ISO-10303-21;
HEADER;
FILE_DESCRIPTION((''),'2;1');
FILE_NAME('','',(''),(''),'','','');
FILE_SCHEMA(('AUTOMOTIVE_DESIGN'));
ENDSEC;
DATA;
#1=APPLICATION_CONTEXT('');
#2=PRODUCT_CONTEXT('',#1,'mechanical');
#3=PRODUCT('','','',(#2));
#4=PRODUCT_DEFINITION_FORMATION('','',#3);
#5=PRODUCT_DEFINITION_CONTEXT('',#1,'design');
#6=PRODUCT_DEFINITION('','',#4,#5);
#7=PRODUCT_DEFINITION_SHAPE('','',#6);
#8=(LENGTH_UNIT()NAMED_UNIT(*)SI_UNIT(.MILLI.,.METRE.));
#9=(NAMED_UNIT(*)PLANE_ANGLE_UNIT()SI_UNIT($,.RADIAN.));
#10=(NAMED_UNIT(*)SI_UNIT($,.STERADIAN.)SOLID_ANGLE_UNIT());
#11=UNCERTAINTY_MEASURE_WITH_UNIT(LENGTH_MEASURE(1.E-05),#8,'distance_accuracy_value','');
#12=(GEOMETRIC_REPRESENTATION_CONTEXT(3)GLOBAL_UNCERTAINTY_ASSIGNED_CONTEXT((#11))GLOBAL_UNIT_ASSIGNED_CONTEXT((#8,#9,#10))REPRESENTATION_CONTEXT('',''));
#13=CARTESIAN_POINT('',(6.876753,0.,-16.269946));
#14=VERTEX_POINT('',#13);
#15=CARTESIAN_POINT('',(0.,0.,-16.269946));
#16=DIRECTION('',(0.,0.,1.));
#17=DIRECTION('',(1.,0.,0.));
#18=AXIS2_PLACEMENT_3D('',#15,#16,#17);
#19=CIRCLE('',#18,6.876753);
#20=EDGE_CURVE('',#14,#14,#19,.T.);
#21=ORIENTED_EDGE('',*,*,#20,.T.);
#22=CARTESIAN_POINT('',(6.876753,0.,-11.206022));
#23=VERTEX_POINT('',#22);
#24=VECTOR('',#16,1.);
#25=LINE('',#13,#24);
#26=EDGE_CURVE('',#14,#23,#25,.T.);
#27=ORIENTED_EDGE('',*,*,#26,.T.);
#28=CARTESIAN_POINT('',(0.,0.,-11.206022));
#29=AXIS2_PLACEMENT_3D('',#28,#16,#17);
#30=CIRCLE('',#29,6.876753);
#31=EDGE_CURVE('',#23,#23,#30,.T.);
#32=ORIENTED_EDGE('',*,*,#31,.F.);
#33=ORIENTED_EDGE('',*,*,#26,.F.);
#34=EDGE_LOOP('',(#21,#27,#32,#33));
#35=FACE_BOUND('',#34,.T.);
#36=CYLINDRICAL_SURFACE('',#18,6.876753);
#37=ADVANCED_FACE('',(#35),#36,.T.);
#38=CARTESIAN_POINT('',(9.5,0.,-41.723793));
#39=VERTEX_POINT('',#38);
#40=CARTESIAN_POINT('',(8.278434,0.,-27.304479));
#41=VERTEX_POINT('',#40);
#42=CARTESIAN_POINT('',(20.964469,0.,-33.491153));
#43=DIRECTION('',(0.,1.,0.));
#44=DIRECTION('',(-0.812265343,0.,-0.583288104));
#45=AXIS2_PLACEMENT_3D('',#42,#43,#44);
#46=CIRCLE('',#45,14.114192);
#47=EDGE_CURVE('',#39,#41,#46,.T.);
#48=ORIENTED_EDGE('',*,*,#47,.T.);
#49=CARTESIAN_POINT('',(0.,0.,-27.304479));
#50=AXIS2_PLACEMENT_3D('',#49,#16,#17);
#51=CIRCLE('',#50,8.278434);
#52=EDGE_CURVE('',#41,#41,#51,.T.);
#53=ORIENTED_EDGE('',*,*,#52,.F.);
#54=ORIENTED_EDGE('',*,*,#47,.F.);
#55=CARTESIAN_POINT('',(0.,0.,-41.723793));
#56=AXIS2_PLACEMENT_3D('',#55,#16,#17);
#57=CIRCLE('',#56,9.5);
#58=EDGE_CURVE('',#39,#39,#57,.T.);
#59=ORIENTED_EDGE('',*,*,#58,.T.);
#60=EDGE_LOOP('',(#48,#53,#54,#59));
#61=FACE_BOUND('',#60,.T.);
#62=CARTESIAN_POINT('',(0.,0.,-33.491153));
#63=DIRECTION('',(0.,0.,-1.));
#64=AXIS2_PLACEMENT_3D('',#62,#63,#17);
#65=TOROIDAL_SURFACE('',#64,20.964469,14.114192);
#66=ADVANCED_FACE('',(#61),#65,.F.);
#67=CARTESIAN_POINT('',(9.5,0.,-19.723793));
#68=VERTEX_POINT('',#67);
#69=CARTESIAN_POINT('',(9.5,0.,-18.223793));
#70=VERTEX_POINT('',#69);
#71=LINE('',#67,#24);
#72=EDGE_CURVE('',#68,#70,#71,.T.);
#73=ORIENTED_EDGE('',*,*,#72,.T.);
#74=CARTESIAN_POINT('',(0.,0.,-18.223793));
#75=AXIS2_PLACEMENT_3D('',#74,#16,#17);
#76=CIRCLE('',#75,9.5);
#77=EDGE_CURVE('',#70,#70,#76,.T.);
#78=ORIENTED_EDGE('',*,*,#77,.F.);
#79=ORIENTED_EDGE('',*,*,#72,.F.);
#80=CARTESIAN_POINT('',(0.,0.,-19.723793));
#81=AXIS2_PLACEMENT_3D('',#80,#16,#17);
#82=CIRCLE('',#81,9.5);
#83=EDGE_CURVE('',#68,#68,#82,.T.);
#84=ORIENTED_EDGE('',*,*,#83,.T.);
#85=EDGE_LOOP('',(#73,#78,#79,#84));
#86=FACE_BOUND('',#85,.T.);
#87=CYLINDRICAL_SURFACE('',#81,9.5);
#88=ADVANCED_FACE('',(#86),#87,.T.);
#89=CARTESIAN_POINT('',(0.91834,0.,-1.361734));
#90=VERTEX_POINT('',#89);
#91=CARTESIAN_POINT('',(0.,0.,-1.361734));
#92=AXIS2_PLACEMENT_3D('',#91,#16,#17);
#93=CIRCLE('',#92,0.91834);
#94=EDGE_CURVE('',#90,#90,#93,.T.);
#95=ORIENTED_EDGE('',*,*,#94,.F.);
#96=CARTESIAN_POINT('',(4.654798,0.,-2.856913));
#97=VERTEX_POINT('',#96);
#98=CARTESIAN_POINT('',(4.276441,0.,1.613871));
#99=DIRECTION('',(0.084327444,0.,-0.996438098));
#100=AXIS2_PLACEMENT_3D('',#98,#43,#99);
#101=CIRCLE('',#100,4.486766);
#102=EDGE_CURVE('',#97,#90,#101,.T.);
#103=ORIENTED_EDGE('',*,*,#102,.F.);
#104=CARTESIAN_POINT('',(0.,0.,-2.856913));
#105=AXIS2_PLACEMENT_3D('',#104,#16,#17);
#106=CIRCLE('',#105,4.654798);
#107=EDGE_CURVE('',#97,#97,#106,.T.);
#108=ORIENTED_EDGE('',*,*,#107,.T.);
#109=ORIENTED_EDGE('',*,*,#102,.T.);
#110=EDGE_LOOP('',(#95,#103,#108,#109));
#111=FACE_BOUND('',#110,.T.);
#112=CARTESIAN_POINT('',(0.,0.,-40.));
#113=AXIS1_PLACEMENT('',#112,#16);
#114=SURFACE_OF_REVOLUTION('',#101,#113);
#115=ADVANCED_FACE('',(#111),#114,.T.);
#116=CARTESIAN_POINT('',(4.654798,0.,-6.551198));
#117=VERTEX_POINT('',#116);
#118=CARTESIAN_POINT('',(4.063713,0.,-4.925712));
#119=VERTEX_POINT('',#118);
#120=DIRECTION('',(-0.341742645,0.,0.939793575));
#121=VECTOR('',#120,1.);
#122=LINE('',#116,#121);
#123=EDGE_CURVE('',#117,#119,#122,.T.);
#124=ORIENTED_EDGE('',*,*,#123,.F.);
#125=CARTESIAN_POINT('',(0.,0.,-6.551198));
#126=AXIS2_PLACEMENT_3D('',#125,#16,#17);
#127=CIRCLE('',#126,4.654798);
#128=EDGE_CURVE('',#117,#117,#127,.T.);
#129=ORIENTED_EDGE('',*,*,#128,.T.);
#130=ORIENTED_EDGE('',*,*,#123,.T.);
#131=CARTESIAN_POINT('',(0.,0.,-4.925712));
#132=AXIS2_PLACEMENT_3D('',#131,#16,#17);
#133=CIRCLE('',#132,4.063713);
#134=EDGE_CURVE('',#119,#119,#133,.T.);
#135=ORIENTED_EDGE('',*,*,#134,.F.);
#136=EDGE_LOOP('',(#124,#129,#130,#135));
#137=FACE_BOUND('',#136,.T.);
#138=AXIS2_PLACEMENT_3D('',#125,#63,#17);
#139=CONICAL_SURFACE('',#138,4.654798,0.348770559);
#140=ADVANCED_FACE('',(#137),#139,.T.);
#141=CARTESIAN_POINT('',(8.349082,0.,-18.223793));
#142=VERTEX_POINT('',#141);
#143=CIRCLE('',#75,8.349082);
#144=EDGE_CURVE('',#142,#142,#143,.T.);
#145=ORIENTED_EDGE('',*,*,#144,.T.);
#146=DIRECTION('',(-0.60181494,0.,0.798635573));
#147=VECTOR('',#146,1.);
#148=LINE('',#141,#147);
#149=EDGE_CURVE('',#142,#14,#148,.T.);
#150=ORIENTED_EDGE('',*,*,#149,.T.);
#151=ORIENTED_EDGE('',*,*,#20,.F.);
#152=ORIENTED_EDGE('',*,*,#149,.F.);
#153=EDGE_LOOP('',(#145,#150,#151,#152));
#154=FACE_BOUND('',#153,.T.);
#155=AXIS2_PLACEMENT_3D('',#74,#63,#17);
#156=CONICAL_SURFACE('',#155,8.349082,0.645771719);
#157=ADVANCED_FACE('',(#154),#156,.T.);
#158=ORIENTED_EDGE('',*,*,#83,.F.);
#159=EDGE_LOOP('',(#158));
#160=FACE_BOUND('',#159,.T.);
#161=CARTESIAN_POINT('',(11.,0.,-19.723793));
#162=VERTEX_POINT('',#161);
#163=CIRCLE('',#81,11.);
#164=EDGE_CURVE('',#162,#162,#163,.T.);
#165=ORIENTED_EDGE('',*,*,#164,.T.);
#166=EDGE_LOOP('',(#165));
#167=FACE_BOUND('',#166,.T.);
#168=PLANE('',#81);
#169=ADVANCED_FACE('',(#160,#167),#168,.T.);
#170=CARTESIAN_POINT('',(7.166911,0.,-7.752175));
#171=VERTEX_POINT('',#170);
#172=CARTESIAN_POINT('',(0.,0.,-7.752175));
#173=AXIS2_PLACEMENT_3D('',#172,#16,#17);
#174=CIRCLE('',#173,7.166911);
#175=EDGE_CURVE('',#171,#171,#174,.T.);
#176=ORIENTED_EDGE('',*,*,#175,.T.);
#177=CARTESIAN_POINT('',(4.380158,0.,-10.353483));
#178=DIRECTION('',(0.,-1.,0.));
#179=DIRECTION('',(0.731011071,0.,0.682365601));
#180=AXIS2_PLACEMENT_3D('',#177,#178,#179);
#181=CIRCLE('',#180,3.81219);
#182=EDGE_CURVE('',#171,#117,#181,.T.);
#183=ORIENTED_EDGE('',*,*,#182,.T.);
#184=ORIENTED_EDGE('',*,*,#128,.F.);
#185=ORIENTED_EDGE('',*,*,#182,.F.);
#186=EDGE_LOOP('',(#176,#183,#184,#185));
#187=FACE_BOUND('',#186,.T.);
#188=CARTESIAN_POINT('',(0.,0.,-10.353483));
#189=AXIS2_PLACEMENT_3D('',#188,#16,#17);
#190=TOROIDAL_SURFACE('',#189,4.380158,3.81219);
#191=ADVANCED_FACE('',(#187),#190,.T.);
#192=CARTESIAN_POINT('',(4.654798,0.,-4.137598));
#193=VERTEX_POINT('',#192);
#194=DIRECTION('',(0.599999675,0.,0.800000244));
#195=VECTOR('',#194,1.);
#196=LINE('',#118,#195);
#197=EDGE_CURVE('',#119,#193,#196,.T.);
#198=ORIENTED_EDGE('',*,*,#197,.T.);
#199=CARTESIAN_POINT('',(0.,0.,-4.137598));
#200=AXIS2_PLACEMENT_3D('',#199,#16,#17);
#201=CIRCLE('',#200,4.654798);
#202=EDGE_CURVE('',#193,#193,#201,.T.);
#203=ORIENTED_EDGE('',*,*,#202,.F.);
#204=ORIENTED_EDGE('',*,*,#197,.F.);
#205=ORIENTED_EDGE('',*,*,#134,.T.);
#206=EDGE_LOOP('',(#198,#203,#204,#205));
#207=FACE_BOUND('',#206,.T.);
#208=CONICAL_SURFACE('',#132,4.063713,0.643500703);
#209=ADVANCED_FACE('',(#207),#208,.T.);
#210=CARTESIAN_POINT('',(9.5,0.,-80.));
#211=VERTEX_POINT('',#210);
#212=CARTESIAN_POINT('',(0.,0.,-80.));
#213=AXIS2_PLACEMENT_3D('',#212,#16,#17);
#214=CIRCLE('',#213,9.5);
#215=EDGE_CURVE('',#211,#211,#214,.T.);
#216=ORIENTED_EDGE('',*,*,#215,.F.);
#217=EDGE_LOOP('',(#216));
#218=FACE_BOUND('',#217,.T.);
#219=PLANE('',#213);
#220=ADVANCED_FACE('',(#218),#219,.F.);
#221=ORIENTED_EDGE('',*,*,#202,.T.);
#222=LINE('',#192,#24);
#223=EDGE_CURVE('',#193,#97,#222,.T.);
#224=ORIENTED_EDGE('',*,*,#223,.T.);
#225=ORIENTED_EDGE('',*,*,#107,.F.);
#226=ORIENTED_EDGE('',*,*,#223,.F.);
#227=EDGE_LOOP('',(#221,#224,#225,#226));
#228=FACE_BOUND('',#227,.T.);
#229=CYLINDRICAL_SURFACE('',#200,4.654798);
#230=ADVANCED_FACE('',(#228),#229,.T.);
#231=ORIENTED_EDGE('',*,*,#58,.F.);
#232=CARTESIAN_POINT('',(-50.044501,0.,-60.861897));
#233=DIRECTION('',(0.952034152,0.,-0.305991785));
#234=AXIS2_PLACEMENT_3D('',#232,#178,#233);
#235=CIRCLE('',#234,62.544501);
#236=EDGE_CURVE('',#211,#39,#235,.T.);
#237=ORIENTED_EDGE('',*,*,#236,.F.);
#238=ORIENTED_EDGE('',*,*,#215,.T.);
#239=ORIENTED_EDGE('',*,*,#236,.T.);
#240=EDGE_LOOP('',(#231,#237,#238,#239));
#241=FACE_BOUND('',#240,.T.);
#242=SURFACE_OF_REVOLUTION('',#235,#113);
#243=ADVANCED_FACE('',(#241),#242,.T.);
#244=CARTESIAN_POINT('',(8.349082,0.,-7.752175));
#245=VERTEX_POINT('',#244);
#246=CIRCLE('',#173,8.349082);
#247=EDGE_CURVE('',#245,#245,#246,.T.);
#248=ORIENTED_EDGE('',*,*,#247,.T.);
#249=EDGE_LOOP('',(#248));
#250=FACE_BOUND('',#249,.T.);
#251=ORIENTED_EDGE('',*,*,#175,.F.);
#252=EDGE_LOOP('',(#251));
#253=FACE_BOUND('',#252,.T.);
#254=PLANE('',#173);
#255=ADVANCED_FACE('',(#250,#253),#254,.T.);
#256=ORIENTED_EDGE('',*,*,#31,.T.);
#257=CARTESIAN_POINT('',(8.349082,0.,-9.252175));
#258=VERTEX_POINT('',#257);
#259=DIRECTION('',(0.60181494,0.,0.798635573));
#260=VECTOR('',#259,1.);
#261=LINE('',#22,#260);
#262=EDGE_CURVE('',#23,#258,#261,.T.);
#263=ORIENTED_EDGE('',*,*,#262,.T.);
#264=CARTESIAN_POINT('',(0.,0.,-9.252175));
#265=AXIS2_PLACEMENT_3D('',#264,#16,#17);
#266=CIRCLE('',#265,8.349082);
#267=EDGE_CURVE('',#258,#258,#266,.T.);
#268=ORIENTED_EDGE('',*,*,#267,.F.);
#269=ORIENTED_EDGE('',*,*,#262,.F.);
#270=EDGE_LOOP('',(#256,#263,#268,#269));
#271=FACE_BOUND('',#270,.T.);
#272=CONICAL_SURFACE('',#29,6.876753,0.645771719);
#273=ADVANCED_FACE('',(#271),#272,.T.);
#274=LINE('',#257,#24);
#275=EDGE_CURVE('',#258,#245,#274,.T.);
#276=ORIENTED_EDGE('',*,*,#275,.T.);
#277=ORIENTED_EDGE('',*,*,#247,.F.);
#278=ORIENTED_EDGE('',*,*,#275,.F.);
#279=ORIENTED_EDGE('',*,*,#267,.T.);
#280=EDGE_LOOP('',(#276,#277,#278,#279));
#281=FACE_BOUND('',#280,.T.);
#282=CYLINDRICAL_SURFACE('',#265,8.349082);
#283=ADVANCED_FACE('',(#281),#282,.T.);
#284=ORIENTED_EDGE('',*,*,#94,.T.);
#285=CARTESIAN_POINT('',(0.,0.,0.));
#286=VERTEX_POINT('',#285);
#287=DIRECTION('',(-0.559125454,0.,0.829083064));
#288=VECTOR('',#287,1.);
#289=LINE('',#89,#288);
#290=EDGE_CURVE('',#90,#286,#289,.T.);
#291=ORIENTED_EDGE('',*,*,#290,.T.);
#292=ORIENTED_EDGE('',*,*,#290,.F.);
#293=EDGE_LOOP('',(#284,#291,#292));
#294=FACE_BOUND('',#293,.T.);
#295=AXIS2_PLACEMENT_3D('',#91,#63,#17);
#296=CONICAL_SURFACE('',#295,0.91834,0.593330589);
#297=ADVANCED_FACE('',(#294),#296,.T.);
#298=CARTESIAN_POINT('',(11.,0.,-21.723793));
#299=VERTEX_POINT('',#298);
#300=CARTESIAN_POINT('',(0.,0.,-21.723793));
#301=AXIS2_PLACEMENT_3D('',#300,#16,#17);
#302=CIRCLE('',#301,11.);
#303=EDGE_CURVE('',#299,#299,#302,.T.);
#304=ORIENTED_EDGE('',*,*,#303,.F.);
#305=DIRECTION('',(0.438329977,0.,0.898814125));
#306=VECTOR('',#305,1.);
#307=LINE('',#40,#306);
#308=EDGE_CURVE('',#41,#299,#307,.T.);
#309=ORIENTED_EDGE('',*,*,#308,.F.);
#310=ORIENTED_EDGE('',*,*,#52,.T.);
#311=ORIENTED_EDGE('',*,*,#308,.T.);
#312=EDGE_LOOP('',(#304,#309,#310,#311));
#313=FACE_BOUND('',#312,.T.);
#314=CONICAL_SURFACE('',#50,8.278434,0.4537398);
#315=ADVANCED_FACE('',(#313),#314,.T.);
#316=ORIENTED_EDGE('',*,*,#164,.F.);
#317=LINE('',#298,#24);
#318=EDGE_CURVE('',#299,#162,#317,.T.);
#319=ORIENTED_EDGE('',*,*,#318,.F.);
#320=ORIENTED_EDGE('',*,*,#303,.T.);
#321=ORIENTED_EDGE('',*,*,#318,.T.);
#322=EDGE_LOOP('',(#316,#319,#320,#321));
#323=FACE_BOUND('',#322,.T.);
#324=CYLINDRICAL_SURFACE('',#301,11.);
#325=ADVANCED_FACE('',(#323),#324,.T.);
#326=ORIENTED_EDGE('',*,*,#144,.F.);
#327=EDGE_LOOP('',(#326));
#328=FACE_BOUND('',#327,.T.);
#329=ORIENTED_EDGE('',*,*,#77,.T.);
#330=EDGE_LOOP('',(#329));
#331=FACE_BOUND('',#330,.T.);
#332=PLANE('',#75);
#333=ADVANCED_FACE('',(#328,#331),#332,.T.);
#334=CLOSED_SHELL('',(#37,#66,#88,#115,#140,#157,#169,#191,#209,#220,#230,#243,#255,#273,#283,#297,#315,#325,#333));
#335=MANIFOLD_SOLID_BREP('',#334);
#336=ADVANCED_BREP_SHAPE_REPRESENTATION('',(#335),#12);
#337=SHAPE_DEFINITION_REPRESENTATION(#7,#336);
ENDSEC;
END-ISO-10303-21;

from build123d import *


with BuildPart() as f1:
    # F0 (on Front) → F1 (revolve)
    with BuildSketch(Plane.XZ):
        with BuildLine():
            Line((4.654798, -4.137598), (4.654798, -2.856913))
            ThreePointArc((4.654798, -2.856913), (2.609525, -2.551757), (0.91834, -1.361734))
            Line((0.91834, -1.361734), (0, 0))
            Line((0, 0), (0, -80))
            Line((0, -80), (9.5, -80))
            ThreePointArc((9.5, -80), (12.5, -60.861897), (9.5, -41.723793))
            ThreePointArc((9.5, -41.723793), (6.900655, -34.682602), (8.278434, -27.304479))
            Line((8.278434, -27.304479), (11, -21.723793))
            Line((11, -21.723793), (11, -19.723793))
            Line((11, -19.723793), (9.5, -19.723793))
            Line((9.5, -19.723793), (9.5, -18.223793))
            Line((9.5, -18.223793), (8.349082, -18.223793))
            Line((8.349082, -18.223793), (6.876753, -16.269946))
            Line((6.876753, -16.269946), (6.876753, -11.206022))
            Line((6.876753, -11.206022), (8.349082, -9.252175))
            Line((8.349082, -9.252175), (8.349082, -7.752175))
            Line((8.349082, -7.752175), (7.166911, -7.752175))
            ThreePointArc((7.166911, -7.752175), (6.024427, -6.914126), (4.654798, -6.551198))
            Line((4.654798, -6.551198), (4.063713, -4.925712))
            Line((4.063713, -4.925712), (4.654798, -4.137598))
        make_face()
    revolve(axis=Axis((0, 0, -40), (0, 0, 1)))


solid = f1.part
